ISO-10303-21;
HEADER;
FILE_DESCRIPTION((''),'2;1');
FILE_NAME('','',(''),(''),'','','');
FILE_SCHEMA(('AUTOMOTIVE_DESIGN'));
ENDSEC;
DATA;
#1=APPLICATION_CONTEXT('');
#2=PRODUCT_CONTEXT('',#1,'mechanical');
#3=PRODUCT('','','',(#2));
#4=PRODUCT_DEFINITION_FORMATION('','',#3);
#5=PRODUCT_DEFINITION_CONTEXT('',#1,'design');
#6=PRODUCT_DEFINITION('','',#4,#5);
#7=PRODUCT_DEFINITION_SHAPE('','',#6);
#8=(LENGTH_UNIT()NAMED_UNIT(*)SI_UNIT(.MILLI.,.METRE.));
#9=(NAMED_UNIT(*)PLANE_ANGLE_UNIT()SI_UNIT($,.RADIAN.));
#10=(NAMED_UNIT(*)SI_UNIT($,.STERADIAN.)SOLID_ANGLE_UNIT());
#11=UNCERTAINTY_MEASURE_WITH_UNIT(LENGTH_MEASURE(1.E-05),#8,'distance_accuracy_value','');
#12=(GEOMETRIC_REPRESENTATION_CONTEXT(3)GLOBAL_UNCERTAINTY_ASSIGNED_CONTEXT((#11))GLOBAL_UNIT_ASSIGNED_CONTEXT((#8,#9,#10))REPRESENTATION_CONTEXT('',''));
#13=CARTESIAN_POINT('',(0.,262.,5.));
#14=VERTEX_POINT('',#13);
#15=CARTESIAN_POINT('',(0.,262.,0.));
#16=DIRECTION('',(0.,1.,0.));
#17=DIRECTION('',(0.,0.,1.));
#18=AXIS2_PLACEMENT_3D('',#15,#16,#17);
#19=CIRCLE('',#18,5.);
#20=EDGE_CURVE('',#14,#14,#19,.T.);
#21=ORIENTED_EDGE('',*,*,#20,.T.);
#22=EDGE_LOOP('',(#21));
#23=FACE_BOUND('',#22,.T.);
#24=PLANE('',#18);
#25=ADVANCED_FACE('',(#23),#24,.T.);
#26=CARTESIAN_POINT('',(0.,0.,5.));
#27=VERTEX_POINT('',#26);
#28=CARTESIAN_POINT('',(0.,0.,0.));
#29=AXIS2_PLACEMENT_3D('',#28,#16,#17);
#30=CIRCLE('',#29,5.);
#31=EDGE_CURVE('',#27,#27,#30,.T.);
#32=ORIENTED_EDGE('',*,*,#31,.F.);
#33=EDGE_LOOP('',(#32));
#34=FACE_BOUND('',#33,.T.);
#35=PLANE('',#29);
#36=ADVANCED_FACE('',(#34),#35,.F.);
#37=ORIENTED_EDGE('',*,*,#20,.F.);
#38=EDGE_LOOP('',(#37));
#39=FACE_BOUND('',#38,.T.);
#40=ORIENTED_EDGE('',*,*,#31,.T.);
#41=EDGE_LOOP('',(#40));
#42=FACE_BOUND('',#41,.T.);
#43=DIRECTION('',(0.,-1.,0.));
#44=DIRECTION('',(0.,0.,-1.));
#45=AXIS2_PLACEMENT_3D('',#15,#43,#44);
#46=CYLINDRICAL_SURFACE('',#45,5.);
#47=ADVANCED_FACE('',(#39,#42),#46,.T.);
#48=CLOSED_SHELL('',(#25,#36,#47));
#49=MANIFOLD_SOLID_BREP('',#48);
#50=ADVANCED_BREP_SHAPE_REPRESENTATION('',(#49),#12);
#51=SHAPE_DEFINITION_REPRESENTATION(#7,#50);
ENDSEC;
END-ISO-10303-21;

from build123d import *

# Parameters (mm, degrees)
SKETCH1_R           = 5
BOSS_EXTRUDE1_DEPTH = 262


with BuildPart() as part:
    # Sketch1 → Boss-Extrude1 (new body)
    with BuildSketch(Plane(origin=(0, 0, 0), x_dir=(1, 0, 0), z_dir=(0, 1, 0))):
        Circle(SKETCH1_R)
    extrude(amount=BOSS_EXTRUDE1_DEPTH)


solid = part.part
